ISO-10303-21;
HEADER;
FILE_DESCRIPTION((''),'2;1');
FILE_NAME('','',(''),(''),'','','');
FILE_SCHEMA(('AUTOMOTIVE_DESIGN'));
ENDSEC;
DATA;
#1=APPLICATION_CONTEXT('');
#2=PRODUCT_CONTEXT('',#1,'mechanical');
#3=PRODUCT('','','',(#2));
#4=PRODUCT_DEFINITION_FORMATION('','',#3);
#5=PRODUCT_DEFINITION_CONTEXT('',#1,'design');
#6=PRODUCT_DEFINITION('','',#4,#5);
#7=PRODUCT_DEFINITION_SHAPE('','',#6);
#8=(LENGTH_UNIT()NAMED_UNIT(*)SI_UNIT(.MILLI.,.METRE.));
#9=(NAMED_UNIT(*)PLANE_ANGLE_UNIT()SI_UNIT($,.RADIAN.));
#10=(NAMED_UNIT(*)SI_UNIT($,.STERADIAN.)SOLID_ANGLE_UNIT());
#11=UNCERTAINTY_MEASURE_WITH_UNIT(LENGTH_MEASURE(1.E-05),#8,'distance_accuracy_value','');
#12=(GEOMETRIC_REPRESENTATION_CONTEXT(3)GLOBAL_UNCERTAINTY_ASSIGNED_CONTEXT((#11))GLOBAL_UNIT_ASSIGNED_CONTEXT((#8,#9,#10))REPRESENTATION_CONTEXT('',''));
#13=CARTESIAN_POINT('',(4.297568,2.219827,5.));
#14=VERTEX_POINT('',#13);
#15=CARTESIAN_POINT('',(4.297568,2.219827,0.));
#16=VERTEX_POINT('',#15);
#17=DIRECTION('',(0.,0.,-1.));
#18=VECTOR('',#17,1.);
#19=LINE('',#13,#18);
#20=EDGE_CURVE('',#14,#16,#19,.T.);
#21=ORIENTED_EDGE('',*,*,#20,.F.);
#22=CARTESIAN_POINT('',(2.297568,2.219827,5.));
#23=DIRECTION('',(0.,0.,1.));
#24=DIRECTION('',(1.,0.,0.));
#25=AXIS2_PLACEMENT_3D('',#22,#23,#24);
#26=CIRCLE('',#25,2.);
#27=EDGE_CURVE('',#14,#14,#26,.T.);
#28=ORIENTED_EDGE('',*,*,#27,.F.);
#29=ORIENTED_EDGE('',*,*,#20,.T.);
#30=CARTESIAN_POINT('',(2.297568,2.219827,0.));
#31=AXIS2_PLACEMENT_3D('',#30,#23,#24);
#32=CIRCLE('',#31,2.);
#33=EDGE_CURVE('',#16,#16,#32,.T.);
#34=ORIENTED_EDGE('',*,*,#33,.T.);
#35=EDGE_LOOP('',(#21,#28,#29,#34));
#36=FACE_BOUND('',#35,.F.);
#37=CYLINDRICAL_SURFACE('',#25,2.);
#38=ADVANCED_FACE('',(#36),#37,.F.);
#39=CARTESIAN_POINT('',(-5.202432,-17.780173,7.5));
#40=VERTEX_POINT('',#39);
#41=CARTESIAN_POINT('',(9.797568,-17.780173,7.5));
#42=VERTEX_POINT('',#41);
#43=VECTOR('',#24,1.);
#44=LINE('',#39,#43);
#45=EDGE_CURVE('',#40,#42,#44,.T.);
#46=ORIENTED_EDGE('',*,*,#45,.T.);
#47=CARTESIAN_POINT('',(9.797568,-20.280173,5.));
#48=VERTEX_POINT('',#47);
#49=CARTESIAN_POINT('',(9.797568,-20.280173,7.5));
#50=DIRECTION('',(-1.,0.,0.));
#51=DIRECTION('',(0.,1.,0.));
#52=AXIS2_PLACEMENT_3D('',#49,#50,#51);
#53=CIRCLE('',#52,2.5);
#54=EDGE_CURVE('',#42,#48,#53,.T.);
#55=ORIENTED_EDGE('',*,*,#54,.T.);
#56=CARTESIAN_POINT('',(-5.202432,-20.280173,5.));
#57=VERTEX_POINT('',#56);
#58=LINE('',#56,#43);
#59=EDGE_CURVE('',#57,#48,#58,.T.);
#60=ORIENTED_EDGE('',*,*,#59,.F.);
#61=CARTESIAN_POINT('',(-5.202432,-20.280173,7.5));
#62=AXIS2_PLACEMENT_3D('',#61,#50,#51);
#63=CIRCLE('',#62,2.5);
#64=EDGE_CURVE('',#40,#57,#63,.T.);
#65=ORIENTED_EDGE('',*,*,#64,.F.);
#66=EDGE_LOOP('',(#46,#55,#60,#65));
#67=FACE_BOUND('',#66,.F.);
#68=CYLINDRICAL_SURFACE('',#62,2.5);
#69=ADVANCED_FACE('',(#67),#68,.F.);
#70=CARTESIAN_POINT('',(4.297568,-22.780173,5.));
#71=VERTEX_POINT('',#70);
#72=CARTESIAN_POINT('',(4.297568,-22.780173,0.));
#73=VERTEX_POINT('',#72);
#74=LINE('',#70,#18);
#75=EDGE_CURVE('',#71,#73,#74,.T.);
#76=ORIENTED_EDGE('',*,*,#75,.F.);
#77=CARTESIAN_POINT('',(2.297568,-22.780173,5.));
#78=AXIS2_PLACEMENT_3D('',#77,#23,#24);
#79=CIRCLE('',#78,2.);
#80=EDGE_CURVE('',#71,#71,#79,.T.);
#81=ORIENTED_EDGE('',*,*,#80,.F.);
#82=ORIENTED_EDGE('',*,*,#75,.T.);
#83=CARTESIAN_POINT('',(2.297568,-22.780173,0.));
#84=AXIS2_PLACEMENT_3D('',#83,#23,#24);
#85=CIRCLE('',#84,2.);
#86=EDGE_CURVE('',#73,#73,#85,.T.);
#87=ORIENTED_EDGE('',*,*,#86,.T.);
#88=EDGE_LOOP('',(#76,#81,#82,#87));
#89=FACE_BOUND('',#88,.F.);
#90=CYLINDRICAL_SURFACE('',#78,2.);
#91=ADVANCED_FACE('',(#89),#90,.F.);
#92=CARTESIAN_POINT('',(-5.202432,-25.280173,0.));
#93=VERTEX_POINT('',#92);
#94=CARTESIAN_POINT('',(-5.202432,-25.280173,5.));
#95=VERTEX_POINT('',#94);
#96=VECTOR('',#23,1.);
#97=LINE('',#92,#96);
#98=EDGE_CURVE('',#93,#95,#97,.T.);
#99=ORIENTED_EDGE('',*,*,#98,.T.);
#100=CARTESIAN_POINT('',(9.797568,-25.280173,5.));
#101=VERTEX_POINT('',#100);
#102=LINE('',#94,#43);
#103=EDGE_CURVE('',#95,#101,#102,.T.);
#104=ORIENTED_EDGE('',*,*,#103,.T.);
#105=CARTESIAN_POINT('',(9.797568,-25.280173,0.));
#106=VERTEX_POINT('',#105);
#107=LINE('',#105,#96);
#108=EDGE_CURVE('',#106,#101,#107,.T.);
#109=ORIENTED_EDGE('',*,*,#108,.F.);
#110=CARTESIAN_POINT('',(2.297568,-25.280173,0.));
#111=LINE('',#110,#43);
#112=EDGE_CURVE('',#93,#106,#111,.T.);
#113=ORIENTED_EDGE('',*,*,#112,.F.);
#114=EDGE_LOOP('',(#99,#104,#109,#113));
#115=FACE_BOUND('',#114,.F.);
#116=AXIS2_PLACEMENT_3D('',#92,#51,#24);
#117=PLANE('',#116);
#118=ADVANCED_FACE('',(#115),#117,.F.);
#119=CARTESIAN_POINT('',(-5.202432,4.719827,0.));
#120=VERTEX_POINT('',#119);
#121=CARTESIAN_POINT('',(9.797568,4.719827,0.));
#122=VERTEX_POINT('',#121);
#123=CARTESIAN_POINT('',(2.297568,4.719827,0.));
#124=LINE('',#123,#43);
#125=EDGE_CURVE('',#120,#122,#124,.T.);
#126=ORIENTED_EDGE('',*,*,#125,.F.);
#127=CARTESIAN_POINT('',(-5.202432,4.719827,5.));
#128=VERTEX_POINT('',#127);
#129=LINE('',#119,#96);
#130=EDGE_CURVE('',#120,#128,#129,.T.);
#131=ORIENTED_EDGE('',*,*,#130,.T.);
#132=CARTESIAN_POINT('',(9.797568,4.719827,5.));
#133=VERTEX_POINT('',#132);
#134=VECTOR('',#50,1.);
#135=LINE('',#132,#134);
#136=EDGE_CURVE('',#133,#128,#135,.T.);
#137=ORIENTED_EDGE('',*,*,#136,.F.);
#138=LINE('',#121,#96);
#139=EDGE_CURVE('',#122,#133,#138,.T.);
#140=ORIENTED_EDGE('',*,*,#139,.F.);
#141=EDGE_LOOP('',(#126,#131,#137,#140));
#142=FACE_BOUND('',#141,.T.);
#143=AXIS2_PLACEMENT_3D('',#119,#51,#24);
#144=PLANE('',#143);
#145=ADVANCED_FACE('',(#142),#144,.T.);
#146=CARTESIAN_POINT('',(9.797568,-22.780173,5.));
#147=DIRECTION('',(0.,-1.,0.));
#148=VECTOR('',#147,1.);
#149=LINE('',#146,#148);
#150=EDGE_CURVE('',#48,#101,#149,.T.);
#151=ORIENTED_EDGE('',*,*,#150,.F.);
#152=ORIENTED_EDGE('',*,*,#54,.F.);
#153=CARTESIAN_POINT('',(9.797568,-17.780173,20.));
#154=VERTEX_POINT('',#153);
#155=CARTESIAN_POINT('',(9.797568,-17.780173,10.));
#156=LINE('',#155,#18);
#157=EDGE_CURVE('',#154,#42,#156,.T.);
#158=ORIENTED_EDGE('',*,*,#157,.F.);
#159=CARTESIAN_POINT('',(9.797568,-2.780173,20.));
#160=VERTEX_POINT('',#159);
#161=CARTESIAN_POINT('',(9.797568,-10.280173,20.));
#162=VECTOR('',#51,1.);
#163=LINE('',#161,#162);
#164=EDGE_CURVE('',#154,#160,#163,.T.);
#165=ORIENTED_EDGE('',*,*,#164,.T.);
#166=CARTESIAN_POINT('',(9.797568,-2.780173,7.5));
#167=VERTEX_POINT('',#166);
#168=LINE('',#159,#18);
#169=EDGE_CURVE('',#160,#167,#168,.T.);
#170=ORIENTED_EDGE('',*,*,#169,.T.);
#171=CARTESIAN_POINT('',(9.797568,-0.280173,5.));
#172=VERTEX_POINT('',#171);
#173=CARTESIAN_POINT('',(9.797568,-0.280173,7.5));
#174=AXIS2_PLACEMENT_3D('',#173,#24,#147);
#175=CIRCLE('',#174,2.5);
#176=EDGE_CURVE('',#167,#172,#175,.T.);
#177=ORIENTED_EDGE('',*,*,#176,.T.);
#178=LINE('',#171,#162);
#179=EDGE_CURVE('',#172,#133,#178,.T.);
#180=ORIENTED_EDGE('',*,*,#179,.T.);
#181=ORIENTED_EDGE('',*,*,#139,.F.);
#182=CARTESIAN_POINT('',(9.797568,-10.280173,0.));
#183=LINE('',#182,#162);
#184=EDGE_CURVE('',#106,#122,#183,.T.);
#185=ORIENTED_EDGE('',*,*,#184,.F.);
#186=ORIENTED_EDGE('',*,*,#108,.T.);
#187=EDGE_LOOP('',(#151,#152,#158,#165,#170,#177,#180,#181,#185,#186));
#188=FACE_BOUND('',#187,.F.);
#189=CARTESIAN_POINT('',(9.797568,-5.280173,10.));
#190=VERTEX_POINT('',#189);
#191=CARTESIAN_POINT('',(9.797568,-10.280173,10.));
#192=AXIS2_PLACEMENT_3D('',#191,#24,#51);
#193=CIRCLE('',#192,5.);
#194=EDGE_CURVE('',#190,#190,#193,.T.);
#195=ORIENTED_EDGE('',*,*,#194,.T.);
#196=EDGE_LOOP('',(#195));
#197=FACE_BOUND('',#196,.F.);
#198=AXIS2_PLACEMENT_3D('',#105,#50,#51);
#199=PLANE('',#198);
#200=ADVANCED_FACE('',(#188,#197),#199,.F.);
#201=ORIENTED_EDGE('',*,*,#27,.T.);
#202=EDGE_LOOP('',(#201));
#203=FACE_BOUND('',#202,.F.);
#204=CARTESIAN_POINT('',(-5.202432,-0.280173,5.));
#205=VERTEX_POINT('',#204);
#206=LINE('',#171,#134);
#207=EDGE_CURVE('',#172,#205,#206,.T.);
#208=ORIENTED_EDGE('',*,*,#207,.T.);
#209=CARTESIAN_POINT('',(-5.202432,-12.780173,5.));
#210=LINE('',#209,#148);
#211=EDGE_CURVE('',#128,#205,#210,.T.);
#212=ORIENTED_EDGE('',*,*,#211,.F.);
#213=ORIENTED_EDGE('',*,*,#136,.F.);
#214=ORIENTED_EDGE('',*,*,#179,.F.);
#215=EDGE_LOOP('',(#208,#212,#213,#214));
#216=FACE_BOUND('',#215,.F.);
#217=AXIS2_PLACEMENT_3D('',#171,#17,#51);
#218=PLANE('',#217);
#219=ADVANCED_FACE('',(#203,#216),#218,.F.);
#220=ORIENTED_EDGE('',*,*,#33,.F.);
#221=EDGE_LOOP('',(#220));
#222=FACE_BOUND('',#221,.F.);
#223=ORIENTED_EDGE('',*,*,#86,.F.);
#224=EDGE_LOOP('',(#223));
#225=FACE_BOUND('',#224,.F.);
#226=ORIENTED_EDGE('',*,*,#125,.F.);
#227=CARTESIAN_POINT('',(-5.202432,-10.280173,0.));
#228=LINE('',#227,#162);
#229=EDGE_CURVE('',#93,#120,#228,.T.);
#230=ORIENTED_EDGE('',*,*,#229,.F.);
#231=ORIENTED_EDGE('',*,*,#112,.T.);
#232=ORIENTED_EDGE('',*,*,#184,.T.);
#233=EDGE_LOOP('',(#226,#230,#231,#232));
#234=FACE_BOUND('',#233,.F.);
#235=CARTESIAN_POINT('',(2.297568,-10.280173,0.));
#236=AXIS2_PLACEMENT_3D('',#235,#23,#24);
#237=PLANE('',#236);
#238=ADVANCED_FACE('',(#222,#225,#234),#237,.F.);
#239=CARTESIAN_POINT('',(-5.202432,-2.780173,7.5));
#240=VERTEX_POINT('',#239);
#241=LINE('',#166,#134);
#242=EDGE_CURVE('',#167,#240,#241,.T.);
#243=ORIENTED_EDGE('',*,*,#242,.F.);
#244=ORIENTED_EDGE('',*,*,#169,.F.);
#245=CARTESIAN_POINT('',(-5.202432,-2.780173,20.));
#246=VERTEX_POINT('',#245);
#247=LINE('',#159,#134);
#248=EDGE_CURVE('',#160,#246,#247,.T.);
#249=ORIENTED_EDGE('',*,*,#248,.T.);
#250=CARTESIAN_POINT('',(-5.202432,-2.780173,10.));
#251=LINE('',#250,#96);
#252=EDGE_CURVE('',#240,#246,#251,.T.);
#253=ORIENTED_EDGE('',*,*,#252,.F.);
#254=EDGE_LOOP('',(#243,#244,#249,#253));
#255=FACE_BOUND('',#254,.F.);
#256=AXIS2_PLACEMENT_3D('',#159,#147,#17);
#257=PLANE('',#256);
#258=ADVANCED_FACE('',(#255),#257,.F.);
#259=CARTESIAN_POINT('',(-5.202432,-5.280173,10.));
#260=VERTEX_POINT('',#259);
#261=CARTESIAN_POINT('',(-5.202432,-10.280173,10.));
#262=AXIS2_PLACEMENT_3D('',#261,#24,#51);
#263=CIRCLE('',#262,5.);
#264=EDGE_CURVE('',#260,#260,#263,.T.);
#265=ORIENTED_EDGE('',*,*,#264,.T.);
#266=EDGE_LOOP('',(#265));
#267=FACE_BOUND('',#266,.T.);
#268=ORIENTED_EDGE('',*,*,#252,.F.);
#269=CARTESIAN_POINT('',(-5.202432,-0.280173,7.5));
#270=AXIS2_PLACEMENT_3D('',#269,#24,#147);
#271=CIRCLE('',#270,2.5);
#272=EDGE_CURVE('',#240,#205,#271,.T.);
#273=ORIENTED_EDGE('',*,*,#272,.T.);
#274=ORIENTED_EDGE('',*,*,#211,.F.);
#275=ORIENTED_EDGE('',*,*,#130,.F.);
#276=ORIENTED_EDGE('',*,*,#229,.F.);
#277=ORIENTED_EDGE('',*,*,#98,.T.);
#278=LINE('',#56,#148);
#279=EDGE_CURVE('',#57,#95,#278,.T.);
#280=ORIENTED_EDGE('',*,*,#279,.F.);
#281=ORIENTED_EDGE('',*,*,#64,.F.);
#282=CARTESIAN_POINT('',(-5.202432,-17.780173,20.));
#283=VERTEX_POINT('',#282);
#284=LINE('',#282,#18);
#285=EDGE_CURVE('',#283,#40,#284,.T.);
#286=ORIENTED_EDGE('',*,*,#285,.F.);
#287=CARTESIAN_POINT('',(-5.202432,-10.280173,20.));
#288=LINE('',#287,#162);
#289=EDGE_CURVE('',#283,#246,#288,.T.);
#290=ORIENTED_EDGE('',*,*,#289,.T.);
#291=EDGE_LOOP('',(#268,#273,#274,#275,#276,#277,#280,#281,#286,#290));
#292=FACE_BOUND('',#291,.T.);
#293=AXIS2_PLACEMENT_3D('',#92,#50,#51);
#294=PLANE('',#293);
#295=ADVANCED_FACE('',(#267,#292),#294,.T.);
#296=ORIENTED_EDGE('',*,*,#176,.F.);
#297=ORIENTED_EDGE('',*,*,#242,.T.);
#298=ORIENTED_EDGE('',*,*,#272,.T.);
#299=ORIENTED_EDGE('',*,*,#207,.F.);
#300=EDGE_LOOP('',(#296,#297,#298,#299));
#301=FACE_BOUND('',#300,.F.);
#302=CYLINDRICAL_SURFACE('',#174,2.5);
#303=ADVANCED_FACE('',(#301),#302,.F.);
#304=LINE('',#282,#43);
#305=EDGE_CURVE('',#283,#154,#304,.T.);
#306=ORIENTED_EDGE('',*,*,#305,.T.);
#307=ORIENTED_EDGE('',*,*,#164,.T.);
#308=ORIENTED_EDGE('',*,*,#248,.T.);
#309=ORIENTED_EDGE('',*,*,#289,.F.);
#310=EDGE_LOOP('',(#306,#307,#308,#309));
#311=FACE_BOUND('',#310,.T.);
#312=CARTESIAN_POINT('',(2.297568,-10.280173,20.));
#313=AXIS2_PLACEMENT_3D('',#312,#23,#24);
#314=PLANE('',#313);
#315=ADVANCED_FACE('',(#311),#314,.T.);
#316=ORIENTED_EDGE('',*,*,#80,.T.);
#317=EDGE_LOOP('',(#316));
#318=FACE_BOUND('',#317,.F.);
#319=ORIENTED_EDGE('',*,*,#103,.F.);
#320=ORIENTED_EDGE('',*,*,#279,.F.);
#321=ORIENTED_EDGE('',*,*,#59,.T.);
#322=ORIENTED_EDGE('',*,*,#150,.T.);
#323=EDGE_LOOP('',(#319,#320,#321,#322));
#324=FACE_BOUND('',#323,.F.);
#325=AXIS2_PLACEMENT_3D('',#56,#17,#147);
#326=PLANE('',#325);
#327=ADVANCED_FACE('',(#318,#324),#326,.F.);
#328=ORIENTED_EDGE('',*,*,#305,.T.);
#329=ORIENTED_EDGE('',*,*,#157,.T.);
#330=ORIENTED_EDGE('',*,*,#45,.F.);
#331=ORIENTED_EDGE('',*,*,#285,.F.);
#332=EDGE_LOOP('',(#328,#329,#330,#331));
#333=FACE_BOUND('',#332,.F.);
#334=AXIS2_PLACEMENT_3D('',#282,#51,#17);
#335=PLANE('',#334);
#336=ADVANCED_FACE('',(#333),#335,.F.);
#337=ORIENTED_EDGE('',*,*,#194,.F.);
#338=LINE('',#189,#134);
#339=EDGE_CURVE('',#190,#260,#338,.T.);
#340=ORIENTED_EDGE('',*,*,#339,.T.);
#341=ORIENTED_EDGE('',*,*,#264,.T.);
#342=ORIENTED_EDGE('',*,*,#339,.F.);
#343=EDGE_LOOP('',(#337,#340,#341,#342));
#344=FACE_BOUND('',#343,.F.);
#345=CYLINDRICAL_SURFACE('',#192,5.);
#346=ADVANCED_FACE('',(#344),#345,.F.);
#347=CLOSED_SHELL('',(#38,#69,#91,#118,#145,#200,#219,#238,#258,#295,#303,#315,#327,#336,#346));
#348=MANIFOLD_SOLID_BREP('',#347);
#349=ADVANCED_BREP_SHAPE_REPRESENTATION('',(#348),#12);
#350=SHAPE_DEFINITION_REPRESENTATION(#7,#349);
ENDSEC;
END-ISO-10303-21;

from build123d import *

# Parameters (mm, degrees)
F0_W      = 15
F0_H      = 30
F1_DEPTH  = 20
F2_R      = 5
F3_DEPTH  = 15.001
F5_DEPTH  = 15.001
F7_DEPTH  = 15.001
F8_R      = 2
F9_DEPTH  = 5.001
F10_R     = 2
F11_DEPTH = 5.001


with BuildPart() as f1:
    # F0 (on Top) → F1 (new body)
    with BuildSketch(Plane.XY):
        with Locations((2.2975676474, -10.2801732719)):
            Rectangle(F0_W, F0_H)
    extrude(amount=F1_DEPTH)

    # F2 (on face) → F3 (cut, through all)
    with BuildSketch(Plane.YZ.offset(9.7975676474)):
        with Locations((-10.2801732719, 10)):
            Circle(F2_R)
    extrude(amount=-F3_DEPTH, mode=Mode.SUBTRACT)

    # F4 (on face) → F5 (cut, through all)
    with BuildSketch(Plane(origin=(-5.2024323526, 0, 0), x_dir=(0, -1, 0), z_dir=(-1, 0, 0))):
        with BuildLine():
            Line((20.2801732719, 5), (25.2801732719, 5))
            Line((25.2801732719, 5), (25.2801732719, 20))
            Line((25.2801732719, 20), (17.7801732719, 20))
            Line((17.7801732719, 20), (17.7801732719, 7.5))
            ThreePointArc((17.7801732719, 7.5), (18.5124063189, 5.732233047), (20.2801732719, 5))
        make_face()
    extrude(amount=-F5_DEPTH, mode=Mode.SUBTRACT)

    # F6 (on face) → F7 (cut, through all)
    with BuildSketch(Plane.YZ.offset(9.7975676474)):
        with BuildLine():
            Line((-0.2801732719, 5), (4.7198267281, 5))
            Line((4.7198267281, 5), (4.7198267281, 20))
            Line((4.7198267281, 20), (-2.7801732719, 20))
            Line((-2.7801732719, 20), (-2.7801732719, 7.5))
            ThreePointArc((-2.7801732719, 7.5), (-2.0479402249, 5.732233047), (-0.2801732719, 5))
        make_face()
    extrude(amount=-F7_DEPTH, mode=Mode.SUBTRACT)

    # F8 (on face) → F9 (cut, through all)
    with BuildSketch(Plane.XY.offset(5)):
        with Locations((2.2975676474, 2.2198267281)):
            Circle(F8_R)
    extrude(amount=-F9_DEPTH, mode=Mode.SUBTRACT)

    # F10 (on face) → F11 (cut, through all)
    with BuildSketch(Plane.XY.offset(5)):
        with Locations((2.2975676474, -22.7801732719)):
            Circle(F10_R)
    extrude(amount=-F11_DEPTH, mode=Mode.SUBTRACT)


solid = f1.part
